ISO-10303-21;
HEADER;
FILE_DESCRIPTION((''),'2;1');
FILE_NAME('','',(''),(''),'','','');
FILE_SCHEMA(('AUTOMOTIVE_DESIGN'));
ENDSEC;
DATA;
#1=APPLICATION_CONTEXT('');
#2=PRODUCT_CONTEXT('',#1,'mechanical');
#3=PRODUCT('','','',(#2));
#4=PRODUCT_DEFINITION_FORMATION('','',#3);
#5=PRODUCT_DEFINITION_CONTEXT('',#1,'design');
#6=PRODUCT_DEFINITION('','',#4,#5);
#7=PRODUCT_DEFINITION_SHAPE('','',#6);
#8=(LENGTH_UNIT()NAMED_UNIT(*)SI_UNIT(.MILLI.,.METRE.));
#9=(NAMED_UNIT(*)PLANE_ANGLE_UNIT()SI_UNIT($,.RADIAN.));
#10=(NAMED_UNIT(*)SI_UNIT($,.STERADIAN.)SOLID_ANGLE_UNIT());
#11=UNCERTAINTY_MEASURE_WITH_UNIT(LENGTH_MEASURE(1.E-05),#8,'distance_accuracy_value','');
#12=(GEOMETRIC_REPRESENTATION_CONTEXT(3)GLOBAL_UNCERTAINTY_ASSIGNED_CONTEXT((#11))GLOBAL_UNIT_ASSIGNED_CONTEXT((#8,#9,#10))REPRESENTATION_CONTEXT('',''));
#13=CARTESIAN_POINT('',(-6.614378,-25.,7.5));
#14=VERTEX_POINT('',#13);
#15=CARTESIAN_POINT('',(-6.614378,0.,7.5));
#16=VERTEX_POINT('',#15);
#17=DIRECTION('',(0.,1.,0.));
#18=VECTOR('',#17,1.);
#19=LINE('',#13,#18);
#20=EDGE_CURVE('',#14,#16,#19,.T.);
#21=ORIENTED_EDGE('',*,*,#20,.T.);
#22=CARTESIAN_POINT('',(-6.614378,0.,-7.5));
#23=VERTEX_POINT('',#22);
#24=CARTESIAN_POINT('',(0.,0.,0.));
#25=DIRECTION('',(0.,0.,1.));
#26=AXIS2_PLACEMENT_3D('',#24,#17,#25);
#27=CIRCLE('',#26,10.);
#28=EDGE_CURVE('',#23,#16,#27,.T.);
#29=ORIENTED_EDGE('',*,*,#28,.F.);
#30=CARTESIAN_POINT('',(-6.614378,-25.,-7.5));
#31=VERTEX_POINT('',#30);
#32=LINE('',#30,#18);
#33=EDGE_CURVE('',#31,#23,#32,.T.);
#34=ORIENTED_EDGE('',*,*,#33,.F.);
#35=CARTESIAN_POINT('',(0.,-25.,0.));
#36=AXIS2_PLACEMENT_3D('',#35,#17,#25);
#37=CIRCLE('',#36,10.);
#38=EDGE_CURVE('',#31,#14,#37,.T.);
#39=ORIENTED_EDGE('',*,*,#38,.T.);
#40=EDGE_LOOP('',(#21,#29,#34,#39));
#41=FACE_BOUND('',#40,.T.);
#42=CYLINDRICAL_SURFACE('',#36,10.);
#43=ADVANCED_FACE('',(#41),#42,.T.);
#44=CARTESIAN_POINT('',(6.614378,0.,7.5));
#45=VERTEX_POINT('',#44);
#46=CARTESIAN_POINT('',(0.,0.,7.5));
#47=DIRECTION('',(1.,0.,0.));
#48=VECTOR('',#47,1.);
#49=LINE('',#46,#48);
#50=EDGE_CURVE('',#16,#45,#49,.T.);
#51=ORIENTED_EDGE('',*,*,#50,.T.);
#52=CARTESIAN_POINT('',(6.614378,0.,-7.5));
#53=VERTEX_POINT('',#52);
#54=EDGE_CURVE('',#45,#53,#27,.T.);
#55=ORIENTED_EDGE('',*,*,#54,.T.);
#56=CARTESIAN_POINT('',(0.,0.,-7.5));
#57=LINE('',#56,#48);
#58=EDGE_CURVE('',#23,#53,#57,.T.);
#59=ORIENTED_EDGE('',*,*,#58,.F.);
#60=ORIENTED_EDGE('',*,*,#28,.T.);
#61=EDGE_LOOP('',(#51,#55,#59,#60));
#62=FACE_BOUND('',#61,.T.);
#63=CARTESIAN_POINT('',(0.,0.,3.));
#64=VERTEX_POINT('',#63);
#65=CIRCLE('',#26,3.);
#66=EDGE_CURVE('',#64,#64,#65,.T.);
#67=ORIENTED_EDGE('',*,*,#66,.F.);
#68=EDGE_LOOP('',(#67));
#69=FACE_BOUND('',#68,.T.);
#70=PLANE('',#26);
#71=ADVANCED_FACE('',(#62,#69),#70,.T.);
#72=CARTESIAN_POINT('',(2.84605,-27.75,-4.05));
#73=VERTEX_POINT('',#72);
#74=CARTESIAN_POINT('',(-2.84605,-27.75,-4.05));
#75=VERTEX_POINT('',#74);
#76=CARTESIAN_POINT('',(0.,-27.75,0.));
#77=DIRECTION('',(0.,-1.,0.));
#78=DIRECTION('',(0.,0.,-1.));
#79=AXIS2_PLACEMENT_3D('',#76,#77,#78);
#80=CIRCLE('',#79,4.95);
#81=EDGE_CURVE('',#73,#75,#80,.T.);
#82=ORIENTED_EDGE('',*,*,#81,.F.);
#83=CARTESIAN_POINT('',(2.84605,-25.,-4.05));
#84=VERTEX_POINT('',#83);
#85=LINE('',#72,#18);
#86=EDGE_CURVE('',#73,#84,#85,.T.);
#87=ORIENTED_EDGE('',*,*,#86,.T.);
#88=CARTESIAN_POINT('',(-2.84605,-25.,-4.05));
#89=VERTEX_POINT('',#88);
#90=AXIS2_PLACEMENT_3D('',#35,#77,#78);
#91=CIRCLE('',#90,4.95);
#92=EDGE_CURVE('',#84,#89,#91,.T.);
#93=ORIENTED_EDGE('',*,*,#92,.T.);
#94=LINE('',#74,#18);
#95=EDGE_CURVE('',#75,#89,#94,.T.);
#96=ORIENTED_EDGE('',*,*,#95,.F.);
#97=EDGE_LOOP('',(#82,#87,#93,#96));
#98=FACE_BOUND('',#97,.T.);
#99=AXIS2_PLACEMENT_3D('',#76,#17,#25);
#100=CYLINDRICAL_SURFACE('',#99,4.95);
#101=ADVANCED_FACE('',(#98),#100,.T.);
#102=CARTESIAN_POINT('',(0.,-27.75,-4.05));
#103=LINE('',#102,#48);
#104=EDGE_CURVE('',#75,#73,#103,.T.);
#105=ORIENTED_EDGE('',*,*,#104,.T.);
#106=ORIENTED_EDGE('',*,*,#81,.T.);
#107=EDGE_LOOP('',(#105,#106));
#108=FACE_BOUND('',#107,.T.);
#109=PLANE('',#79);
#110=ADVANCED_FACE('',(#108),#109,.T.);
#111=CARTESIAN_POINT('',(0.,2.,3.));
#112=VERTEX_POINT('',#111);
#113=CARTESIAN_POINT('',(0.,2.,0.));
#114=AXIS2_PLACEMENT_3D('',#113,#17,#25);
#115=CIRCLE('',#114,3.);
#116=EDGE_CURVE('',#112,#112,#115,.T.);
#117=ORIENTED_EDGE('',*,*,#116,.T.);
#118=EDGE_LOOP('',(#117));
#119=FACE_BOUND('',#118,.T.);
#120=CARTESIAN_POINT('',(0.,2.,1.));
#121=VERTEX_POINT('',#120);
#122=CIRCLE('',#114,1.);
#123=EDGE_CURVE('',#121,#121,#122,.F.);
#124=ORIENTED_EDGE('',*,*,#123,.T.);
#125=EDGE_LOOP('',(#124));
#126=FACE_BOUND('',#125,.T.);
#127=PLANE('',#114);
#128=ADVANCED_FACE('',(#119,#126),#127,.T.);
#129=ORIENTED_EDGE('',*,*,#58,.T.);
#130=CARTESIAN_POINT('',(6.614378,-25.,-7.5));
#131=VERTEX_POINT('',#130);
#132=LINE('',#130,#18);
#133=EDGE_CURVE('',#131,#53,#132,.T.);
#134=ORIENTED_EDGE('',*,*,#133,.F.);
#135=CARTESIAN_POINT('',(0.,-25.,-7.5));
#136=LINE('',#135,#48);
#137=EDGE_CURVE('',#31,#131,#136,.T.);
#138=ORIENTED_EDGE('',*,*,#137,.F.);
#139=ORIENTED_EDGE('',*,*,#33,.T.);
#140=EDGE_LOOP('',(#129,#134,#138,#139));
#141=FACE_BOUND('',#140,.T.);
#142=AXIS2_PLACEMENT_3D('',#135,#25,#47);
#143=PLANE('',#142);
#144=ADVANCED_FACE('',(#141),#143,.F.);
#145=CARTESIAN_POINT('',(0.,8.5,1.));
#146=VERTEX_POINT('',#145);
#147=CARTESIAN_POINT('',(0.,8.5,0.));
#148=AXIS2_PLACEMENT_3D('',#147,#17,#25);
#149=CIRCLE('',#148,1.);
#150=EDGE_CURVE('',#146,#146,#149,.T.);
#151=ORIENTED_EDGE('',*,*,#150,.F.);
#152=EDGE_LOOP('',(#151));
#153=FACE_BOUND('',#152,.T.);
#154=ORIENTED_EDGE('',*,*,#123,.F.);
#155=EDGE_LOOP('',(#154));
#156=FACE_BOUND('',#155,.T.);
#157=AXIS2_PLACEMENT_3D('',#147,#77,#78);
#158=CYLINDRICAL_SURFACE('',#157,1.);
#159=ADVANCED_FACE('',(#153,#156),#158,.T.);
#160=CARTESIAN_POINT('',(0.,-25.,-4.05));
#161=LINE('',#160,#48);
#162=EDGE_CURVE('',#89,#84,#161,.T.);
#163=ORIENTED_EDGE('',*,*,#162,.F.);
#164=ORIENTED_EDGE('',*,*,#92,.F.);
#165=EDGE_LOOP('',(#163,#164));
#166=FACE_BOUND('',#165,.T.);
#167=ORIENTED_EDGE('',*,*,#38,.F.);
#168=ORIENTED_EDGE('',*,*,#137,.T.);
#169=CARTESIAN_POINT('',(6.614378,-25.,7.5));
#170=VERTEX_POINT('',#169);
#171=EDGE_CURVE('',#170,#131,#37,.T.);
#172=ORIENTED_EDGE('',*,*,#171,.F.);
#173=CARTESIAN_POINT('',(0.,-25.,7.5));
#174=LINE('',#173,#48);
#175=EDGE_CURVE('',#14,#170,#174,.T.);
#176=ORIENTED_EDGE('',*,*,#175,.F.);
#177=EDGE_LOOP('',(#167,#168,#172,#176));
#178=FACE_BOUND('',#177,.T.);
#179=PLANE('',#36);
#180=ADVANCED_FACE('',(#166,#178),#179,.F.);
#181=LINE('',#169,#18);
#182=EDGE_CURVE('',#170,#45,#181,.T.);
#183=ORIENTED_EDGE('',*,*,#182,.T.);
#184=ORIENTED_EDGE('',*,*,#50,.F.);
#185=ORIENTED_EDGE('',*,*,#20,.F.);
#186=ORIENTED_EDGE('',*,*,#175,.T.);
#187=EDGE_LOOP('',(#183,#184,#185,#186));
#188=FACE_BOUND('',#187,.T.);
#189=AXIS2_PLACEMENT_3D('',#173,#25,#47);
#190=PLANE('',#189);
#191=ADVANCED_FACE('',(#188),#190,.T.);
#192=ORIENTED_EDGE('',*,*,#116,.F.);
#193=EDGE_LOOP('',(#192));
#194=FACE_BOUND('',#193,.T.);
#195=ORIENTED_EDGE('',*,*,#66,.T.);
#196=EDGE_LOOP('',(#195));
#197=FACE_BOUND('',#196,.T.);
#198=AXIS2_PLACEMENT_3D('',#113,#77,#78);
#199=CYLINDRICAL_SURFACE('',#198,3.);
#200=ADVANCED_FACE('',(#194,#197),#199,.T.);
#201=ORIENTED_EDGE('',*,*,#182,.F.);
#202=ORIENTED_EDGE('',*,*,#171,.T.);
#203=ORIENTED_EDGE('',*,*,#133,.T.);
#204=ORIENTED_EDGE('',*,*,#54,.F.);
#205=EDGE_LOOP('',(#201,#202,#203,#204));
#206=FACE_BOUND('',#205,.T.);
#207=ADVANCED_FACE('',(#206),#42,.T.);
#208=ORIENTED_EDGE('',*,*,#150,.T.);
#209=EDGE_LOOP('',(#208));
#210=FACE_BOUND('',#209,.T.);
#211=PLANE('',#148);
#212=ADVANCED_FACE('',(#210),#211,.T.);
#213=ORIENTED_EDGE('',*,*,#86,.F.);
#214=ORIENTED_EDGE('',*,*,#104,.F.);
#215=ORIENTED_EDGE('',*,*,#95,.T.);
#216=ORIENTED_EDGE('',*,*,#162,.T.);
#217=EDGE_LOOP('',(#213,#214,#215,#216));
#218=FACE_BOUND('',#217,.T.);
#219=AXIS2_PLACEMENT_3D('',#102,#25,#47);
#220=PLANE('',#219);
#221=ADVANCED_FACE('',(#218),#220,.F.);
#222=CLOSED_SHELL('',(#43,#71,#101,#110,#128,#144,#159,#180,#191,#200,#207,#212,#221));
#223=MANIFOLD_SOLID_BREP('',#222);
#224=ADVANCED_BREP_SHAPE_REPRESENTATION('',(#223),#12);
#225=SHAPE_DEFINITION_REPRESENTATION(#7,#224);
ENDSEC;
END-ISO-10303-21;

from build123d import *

# Parameters (mm, degrees)
BOSS_EXTRUDE1_DEPTH = 25
SKETCH1_3_R         = 3
BOSS_EXTRUDE2_DEPTH = 2
SKETCH1_4_R         = 1
BOSS_EXTRUDE3_DEPTH = 8.5
BOSS_EXTRUDE4_DEPTH = 2.75


with BuildPart() as part:
    # Sketch1 → Boss-Extrude1 (new body)
    with BuildSketch(Plane(origin=(0, 0, 0), x_dir=(1, 0, 0), z_dir=(0, 1, 0))):
        with BuildLine():
            ThreePointArc((-6.614378278, 7.5), (-10, 0), (-6.614378278, -7.5))
            Line((-6.614378278, -7.5), (6.614378278, -7.5))
            ThreePointArc((6.614378278, -7.5), (10, 0), (6.614378278, 7.5))
            Line((6.614378278, 7.5), (-6.614378278, 7.5))
        make_face()
    extrude(amount=-BOSS_EXTRUDE1_DEPTH)

    # Sketch1<3> → Boss-Extrude2 (add)
    with BuildSketch(Plane(origin=(0, 0, 0), x_dir=(1, 0, 0), z_dir=(0, 1, 0))):
        Circle(SKETCH1_3_R)
    extrude(amount=BOSS_EXTRUDE2_DEPTH)

    # Sketch1<4> → Boss-Extrude3 (add)
    with BuildSketch(Plane(origin=(0, 0, 0), x_dir=(1, 0, 0), z_dir=(0, 1, 0))):
        Circle(SKETCH1_4_R)
    extrude(amount=BOSS_EXTRUDE3_DEPTH)

    # Sketch2 → Boss-Extrude4 (add)
    with BuildSketch(Plane.XZ.offset(25)):
        with BuildLine():
            Line((-2.846049894, -4.05), (2.846049894, -4.05))
            ThreePointArc((2.846049894, -4.05), (0, 4.95), (-2.846049894, -4.05))
        make_face()
    extrude(amount=BOSS_EXTRUDE4_DEPTH)


solid = part.part
